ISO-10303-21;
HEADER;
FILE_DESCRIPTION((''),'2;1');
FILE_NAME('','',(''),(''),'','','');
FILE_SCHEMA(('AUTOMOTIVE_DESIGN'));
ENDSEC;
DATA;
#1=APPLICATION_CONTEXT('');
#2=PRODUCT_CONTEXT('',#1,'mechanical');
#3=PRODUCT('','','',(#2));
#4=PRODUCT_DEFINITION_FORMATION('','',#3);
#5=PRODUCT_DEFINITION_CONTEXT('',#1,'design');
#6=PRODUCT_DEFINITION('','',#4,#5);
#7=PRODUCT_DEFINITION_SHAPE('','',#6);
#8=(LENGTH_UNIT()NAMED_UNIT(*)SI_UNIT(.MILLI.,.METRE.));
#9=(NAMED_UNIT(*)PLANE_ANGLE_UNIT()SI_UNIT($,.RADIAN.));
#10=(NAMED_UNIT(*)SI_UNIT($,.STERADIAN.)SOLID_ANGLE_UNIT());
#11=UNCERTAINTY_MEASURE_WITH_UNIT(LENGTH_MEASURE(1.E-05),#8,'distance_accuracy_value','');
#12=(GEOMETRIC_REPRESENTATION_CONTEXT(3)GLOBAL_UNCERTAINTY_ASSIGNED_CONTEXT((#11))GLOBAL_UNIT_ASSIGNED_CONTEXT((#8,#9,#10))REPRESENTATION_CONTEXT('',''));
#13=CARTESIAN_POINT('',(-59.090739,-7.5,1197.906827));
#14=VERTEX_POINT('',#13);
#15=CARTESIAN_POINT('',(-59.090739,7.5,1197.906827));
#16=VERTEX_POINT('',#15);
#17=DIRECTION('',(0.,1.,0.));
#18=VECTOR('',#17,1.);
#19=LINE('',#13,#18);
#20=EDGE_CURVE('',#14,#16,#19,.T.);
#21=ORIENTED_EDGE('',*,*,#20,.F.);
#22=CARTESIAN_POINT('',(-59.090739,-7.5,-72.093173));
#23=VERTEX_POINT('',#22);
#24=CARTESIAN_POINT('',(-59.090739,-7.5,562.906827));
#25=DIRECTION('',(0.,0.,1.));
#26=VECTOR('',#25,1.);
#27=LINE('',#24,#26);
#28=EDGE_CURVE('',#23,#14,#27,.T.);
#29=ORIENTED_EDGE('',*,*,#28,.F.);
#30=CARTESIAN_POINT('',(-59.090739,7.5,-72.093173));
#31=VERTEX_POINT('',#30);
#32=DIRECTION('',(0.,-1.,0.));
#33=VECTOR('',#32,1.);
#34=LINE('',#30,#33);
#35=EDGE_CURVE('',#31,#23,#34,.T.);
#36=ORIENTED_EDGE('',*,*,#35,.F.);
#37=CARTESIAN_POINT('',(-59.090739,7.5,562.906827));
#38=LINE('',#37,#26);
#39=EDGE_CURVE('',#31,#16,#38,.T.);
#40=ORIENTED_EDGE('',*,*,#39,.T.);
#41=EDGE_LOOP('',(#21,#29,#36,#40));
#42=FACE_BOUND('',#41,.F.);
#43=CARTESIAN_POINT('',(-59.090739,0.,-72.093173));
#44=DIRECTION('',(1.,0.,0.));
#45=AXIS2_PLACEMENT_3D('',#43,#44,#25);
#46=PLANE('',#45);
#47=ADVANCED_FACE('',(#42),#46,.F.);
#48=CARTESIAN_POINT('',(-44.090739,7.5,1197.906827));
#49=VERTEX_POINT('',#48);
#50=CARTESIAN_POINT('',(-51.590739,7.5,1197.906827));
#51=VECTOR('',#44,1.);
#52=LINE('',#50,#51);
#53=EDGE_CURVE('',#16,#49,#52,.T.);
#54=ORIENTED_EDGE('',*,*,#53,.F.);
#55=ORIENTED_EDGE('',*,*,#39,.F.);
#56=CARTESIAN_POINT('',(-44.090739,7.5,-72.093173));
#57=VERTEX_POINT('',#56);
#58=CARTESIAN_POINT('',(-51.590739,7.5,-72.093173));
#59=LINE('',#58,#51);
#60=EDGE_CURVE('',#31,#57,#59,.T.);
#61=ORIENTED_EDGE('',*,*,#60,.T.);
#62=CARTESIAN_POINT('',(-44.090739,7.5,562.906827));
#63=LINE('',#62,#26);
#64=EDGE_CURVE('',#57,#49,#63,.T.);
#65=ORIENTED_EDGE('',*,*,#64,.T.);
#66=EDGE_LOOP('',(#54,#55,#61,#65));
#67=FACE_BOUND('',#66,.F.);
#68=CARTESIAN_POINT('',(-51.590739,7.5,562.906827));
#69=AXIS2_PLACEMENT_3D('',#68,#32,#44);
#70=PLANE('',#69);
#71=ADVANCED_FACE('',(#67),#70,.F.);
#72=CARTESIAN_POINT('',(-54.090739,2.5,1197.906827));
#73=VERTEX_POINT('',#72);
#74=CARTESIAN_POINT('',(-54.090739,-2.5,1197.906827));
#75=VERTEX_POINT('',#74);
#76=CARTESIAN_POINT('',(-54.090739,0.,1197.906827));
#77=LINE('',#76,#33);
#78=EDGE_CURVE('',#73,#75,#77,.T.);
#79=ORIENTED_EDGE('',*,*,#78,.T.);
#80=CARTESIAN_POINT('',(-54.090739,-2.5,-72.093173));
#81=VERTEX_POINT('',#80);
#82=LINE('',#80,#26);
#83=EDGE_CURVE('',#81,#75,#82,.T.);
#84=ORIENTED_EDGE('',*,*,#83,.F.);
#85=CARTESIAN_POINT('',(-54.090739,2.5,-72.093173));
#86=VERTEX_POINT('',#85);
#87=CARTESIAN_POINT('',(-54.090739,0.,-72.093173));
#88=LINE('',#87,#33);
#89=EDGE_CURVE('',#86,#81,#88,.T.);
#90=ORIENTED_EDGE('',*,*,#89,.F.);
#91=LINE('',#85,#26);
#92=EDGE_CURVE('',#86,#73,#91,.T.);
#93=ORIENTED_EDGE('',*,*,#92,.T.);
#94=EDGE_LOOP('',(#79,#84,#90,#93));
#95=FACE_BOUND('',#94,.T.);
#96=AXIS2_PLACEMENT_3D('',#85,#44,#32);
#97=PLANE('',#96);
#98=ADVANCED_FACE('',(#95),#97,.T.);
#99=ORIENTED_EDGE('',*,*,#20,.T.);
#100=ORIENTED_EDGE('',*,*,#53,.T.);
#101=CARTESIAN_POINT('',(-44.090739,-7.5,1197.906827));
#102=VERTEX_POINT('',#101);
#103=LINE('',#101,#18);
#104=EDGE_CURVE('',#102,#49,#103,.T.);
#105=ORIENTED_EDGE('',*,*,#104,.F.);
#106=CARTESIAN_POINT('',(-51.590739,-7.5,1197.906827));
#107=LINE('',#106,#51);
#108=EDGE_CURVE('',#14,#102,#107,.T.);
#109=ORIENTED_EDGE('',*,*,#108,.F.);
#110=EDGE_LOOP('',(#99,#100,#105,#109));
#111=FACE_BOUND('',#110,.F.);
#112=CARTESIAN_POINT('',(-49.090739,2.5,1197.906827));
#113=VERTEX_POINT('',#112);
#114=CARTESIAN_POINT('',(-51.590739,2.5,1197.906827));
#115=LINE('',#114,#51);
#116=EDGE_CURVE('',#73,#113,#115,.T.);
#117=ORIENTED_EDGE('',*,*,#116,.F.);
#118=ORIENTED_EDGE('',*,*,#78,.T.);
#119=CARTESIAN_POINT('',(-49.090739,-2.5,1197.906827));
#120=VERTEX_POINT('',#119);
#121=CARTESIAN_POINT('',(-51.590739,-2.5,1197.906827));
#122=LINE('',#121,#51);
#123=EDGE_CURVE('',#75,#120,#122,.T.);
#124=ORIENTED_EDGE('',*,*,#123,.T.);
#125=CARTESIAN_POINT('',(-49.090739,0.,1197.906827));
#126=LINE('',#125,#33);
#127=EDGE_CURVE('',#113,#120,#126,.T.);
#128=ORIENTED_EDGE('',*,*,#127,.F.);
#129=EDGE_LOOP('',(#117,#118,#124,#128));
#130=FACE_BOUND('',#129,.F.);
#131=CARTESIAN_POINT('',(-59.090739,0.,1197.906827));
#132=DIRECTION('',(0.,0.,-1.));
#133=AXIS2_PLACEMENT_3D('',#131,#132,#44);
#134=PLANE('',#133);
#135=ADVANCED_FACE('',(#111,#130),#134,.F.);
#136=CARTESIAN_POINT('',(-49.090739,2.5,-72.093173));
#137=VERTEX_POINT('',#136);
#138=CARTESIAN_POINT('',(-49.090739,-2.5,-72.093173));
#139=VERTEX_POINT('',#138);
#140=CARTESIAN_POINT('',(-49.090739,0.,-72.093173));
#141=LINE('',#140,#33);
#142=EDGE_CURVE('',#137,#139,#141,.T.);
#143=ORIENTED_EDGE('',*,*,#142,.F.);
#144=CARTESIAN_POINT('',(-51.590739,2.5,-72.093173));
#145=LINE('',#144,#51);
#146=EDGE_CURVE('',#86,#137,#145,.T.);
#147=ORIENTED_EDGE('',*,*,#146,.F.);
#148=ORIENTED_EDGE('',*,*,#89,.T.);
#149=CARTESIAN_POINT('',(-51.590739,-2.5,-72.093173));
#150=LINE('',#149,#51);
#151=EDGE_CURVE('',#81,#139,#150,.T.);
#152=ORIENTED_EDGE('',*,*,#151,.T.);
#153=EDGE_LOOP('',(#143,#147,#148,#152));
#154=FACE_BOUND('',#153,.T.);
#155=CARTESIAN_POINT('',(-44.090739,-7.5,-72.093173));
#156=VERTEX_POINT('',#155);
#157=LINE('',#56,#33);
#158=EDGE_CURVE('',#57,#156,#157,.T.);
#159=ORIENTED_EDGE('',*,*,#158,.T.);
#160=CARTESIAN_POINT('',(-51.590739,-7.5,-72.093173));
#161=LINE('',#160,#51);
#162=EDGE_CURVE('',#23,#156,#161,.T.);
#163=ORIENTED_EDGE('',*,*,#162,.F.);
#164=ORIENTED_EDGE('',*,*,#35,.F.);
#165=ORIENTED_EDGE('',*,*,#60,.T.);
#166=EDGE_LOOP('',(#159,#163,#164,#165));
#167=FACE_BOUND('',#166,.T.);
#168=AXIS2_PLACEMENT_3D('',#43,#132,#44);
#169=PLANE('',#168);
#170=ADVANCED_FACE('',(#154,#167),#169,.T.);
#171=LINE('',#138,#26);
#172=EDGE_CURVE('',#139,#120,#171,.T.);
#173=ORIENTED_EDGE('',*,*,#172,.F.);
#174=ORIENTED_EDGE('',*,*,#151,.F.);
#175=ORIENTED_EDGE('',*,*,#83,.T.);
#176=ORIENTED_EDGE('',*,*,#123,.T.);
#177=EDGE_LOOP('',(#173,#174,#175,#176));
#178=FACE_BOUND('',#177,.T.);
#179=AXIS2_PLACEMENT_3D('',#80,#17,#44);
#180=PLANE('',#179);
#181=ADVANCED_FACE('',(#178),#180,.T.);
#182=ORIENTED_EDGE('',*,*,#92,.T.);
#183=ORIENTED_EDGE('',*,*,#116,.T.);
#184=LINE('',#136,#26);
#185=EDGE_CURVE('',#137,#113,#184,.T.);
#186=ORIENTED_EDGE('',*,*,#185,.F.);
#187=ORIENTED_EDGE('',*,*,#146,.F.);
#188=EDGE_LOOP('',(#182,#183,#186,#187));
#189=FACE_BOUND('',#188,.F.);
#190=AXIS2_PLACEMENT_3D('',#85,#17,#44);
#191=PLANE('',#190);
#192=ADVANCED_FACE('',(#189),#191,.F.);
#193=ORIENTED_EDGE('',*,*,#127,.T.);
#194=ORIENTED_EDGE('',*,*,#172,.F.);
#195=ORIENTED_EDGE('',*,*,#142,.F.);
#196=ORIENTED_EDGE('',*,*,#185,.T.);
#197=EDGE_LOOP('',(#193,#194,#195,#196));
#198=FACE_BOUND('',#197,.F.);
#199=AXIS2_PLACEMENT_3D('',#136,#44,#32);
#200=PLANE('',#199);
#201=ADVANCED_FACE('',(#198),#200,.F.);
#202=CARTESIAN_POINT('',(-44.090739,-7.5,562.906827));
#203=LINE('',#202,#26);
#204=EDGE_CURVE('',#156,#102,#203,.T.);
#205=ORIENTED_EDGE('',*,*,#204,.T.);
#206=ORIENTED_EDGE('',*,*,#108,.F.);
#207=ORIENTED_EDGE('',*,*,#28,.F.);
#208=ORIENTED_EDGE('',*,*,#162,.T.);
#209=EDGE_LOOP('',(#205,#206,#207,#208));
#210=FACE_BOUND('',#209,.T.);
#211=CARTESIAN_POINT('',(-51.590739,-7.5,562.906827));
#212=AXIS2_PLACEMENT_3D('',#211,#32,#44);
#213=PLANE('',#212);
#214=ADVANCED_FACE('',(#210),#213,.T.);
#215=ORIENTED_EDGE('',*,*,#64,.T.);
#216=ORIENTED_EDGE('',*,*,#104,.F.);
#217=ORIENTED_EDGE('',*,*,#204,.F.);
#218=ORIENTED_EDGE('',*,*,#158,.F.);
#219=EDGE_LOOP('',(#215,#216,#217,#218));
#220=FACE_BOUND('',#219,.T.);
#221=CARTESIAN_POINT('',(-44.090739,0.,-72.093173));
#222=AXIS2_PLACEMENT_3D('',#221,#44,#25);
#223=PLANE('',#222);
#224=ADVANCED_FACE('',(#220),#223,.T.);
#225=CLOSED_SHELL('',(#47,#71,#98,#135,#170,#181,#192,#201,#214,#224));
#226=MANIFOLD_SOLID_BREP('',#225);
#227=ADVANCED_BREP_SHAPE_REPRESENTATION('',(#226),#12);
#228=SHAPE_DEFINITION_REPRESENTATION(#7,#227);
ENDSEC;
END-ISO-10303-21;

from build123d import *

# Parameters (mm, degrees)
F0_W     = 15
F0_H     = 1270
F1_DEPTH = 7.5
F2_W     = 5
F2_H     = 5
F3_DEPTH = 1270


with BuildPart() as f1:
    # F0 (on Front) → F1 (new body, symmetric)
    with BuildSketch(Plane.XZ):
        with Locations((-51.590739, 562.906827)):
            Rectangle(F0_W, F0_H)
    extrude(amount=F1_DEPTH, both=True)

    # F2 (on face) → F3 (cut)
    with BuildSketch(Plane(origin=(0, 0, -72.093173), x_dir=(1, 0, 0), z_dir=(0, 0, -1))):
        with Locations((-51.590739, 0)):
            Rectangle(F2_W, F2_H)
    extrude(amount=-F3_DEPTH, mode=Mode.SUBTRACT)


solid = f1.part
